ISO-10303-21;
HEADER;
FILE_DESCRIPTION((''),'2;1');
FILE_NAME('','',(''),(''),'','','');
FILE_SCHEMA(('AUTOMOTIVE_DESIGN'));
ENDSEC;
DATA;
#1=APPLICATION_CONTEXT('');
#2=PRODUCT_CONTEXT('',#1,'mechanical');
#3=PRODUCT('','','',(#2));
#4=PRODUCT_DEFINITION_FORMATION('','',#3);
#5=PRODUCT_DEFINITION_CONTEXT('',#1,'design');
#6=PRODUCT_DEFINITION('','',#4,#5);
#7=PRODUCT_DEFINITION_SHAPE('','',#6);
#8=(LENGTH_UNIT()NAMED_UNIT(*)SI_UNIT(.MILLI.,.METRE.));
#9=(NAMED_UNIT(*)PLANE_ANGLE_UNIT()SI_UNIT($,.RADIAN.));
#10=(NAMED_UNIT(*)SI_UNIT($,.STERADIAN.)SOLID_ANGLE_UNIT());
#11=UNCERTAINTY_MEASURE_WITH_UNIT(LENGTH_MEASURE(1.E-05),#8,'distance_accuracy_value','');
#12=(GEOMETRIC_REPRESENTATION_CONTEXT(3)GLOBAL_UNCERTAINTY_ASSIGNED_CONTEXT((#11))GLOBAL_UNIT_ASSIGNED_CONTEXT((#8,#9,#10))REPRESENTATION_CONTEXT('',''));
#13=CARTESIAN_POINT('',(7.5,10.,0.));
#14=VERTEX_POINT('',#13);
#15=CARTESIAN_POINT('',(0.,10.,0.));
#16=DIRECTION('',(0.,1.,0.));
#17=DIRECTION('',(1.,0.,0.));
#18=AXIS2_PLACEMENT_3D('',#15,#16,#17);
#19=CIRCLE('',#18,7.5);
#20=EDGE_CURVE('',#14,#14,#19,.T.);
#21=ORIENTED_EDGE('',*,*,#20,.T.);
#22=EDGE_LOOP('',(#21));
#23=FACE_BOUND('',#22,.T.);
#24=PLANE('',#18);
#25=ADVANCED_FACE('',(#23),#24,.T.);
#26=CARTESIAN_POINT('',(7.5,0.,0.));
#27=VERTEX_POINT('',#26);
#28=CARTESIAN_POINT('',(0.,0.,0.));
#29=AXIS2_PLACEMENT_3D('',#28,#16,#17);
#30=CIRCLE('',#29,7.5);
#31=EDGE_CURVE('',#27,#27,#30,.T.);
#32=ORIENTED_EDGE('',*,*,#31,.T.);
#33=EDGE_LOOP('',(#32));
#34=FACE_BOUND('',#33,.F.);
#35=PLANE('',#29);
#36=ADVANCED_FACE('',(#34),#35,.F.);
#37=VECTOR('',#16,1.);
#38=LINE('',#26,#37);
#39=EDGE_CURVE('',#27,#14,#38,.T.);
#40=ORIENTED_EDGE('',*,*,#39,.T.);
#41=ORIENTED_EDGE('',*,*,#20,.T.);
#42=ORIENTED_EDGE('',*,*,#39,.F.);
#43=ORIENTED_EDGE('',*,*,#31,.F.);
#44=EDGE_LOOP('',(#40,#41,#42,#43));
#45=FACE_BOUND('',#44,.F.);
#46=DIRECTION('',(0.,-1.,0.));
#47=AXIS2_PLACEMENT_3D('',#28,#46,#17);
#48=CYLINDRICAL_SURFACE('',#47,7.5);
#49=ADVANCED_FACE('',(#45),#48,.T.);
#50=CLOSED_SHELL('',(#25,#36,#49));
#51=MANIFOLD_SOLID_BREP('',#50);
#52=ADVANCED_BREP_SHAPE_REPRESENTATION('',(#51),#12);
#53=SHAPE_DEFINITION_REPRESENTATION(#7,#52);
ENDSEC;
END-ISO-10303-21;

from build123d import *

# Parameters (mm, degrees)
SKETCH1_R           = 7.5
BOSS_EXTRUDE1_DEPTH = 10


with BuildPart() as part:
    # Sketch1 → Boss-Extrude1 (new body)
    with BuildSketch(Plane(origin=(0, 0, 0), x_dir=(1, 0, 0), z_dir=(0, 1, 0))):
        Circle(SKETCH1_R)
    extrude(amount=BOSS_EXTRUDE1_DEPTH)


solid = part.part
